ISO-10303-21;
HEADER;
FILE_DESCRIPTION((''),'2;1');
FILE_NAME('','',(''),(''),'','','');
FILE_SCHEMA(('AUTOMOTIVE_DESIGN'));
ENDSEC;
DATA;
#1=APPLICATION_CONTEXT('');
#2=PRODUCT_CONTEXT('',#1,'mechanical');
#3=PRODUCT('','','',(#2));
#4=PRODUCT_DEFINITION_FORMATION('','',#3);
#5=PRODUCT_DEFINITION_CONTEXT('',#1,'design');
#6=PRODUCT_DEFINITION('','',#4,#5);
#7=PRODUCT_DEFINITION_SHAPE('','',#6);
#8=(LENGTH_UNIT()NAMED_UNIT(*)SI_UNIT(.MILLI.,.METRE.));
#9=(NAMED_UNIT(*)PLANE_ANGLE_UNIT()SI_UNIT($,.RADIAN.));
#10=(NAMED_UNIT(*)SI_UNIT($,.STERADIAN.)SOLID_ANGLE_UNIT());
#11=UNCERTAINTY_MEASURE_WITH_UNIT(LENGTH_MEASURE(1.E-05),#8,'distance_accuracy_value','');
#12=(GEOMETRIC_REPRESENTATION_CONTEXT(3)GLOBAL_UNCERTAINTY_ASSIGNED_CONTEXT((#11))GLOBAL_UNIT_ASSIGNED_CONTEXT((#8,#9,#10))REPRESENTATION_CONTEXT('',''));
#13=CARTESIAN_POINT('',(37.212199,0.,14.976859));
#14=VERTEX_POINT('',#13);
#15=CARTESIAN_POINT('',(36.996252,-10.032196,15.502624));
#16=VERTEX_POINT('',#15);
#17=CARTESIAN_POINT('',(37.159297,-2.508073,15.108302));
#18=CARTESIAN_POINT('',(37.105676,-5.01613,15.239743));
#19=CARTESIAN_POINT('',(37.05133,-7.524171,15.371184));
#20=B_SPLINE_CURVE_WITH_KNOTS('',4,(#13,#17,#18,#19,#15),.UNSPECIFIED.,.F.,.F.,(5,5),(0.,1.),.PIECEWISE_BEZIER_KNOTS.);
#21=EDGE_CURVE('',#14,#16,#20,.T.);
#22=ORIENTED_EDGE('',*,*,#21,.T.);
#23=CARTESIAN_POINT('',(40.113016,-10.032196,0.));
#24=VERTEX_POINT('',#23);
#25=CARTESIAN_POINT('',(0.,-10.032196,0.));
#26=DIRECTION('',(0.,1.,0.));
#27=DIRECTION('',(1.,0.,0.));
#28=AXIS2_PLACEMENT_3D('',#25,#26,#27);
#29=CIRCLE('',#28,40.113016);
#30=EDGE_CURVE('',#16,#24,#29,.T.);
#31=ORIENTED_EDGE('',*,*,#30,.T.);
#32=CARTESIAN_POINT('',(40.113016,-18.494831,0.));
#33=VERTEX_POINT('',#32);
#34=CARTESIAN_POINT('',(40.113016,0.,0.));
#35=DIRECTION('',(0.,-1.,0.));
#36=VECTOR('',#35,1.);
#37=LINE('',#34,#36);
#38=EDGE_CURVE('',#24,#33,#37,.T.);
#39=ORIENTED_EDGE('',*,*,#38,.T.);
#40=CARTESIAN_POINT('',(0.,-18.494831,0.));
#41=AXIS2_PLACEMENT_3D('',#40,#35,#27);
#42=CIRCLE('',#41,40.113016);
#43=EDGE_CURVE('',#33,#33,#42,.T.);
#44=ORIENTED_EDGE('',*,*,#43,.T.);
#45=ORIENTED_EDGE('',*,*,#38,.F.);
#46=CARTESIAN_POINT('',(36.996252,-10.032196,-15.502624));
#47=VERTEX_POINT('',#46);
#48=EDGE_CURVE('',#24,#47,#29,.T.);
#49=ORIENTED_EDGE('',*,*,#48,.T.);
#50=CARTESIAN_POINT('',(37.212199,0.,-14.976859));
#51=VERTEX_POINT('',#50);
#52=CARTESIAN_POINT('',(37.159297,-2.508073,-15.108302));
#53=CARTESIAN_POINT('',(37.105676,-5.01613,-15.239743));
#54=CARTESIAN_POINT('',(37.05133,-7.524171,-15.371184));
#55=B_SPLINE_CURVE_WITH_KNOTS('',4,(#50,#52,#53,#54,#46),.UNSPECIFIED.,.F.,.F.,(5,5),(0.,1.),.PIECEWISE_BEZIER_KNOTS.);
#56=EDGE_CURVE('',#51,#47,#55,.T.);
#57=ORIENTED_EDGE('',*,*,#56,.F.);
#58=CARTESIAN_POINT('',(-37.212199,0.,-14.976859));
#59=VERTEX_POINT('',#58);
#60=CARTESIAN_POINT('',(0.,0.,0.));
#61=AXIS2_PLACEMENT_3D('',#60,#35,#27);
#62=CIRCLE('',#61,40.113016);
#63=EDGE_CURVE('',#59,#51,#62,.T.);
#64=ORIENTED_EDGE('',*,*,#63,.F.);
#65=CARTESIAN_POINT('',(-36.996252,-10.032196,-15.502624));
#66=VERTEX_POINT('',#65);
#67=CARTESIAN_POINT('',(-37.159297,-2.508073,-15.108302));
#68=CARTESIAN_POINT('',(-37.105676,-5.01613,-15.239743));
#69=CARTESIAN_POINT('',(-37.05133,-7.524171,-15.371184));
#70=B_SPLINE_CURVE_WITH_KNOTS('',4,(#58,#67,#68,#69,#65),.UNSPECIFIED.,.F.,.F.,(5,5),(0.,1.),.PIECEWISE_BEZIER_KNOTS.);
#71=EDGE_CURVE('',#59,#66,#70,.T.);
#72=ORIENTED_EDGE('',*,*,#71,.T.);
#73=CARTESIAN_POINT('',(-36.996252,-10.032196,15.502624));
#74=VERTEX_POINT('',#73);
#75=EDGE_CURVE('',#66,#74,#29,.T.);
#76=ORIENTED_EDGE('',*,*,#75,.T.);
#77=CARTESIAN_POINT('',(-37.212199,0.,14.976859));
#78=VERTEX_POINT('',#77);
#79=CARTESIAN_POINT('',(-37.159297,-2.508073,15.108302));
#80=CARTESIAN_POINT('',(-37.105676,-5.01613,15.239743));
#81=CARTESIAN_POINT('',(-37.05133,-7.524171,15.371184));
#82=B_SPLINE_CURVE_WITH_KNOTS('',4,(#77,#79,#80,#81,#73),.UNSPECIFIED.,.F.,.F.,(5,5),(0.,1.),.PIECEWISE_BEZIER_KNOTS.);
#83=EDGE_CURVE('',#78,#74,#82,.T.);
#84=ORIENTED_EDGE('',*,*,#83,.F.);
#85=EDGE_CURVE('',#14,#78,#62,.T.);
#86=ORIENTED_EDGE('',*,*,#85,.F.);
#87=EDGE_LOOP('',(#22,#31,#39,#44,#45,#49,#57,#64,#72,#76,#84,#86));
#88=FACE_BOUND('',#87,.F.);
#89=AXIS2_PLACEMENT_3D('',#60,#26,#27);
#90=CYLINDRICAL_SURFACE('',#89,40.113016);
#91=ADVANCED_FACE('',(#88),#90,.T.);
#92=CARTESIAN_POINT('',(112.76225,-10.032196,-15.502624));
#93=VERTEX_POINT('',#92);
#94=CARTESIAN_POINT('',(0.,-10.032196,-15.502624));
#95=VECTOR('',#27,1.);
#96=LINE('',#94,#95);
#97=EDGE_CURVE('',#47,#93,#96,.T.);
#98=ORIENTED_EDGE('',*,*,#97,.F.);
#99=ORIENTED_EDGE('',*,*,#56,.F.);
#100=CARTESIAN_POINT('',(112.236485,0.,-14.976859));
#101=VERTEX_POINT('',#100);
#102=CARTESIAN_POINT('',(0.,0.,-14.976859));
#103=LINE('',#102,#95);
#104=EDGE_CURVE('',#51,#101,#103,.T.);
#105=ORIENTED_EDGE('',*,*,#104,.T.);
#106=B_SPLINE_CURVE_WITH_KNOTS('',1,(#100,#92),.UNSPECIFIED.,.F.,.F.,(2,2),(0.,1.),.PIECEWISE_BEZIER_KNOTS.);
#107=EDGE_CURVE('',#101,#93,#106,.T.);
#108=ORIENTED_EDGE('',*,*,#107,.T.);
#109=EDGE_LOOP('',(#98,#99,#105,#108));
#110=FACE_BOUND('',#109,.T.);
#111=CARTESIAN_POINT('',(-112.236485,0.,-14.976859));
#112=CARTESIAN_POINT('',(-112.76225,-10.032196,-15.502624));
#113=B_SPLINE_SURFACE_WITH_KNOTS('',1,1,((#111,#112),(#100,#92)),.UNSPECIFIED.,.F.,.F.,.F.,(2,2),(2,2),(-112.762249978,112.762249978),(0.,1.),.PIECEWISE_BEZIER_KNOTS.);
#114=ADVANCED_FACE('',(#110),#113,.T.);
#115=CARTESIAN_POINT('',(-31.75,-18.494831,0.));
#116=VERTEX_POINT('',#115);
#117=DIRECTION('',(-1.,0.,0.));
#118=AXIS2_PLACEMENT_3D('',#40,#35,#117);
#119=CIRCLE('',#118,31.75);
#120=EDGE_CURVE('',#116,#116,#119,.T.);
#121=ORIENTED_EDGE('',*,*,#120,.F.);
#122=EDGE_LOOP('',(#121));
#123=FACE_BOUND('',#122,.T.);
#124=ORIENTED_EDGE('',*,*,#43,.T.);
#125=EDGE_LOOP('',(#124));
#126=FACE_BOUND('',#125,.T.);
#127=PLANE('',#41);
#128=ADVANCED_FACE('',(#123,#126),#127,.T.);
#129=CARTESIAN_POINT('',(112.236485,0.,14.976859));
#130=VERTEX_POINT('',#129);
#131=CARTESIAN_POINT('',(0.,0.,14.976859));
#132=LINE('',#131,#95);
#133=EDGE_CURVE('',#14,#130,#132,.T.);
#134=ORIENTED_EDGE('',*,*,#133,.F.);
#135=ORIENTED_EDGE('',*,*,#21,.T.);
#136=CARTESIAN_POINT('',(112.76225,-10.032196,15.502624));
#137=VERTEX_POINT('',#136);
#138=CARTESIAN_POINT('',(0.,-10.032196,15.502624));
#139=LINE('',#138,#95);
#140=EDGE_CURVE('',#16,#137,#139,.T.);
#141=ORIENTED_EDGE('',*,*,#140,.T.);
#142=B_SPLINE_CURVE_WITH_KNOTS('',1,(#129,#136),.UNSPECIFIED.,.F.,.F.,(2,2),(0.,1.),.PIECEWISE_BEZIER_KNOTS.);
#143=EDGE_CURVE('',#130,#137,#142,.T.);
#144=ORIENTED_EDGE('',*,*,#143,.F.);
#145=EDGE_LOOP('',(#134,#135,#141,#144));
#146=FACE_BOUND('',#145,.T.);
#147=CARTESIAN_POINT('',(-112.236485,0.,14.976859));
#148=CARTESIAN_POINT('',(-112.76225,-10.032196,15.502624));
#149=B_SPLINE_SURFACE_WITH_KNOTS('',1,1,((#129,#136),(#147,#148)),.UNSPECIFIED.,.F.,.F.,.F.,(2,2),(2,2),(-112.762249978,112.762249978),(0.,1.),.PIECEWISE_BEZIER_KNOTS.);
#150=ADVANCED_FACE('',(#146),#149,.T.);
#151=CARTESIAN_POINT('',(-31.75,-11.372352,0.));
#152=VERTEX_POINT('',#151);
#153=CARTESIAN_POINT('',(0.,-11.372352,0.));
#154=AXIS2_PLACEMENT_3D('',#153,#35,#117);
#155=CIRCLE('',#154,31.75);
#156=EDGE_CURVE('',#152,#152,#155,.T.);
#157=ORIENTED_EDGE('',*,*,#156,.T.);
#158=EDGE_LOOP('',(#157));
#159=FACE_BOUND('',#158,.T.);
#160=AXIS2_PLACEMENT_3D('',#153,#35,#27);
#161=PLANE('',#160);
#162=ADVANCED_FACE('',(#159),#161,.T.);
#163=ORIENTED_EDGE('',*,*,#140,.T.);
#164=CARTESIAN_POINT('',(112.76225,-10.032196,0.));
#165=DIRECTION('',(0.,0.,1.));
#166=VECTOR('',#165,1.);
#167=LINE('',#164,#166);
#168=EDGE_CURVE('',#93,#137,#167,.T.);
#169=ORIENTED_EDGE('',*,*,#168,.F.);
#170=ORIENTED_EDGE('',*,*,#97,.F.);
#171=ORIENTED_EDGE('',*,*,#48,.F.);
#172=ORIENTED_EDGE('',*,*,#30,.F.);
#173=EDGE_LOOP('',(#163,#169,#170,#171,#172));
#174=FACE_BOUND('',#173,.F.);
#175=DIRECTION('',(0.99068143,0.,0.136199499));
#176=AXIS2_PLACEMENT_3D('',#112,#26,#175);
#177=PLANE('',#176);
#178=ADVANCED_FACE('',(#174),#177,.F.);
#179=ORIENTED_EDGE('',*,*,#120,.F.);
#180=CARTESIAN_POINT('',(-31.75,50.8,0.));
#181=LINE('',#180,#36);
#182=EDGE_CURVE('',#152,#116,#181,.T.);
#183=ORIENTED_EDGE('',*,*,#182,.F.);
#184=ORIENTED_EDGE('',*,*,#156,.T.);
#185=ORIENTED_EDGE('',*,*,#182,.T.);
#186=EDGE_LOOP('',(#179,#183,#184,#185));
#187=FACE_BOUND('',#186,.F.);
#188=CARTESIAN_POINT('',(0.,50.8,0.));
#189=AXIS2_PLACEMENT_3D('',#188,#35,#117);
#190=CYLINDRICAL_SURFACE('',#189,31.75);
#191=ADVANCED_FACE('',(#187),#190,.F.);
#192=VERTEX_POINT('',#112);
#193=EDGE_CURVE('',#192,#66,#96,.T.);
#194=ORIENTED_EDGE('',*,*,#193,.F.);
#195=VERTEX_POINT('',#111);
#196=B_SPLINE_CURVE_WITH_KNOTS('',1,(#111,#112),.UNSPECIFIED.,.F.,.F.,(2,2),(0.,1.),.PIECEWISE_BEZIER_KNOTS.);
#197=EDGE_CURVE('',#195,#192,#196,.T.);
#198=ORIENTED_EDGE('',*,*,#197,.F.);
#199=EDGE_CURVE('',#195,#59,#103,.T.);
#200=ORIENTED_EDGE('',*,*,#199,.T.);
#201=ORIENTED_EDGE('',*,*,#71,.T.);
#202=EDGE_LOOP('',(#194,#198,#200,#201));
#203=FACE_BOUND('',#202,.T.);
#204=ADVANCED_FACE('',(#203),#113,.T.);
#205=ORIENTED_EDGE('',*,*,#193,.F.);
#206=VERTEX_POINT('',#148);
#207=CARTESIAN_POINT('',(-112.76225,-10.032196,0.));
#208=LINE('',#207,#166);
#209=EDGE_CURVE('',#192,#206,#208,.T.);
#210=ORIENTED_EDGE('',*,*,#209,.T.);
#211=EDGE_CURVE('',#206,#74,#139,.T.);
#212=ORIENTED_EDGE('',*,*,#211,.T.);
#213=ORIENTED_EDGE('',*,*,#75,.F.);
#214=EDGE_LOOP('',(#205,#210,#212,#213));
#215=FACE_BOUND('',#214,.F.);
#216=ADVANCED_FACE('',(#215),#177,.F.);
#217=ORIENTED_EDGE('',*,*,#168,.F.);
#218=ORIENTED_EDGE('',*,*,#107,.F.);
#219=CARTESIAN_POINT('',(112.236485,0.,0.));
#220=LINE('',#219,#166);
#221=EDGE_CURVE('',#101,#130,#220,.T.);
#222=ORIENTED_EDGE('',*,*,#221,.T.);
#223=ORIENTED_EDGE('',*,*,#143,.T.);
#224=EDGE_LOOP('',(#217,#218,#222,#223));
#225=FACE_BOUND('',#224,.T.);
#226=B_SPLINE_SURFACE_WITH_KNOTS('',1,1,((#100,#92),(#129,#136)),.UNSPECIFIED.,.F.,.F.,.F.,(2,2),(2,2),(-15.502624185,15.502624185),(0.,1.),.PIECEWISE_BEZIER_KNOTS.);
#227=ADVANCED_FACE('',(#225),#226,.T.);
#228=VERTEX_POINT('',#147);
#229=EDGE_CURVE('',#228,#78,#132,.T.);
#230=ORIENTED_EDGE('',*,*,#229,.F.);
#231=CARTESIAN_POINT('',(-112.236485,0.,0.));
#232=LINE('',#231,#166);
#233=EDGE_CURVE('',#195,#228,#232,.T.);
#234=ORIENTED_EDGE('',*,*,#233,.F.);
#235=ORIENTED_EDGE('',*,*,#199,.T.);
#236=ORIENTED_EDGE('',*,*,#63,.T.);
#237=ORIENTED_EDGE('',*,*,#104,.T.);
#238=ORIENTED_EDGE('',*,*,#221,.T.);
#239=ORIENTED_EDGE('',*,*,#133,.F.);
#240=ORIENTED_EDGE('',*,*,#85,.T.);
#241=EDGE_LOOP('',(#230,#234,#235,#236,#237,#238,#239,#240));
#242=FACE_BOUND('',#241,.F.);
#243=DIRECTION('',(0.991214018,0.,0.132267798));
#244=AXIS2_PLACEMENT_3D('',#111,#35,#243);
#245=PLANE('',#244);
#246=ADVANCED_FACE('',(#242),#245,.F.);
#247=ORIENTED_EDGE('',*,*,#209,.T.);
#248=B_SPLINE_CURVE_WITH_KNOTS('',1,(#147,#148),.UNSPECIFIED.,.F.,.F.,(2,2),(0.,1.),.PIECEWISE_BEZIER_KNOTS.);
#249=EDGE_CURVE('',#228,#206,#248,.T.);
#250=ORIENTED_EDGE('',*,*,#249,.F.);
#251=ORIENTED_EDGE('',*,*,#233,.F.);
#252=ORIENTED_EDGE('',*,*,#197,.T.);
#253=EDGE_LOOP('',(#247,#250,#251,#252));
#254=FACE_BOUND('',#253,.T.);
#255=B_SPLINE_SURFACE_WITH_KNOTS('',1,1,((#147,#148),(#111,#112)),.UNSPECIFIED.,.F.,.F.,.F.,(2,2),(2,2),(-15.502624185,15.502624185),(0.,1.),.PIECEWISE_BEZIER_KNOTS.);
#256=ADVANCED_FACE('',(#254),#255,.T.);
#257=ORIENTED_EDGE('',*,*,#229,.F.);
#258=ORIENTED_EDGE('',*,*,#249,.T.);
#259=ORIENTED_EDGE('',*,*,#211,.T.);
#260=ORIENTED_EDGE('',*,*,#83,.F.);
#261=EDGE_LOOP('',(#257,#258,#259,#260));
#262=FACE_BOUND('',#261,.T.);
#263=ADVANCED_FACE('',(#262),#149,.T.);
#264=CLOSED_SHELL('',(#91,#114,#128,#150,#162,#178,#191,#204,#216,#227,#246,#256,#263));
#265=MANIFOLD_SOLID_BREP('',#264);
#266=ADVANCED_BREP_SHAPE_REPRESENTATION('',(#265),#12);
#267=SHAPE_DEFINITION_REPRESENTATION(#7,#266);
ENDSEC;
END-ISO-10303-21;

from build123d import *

# Parameters (mm, degrees)
F0_R     = 32.6923124251
F1_DEPTH = 14.6508645266
F2_W     = 224.4729697704
F2_H     = 29.9537181854
F3_DEPTH = 10.0321955979
F3_TAPER = -3
F4_R     = 40.1130157543
F5_DEPTH = 18.4948313981
F7_D     = 63.5
F7_DEPTH = 50.8
F7_TIP   = 19.0773246541
F8_DEPTH = 11.372352019


with BuildPart() as f1:
    # F0 (on Front) → F1 (new body)
    with BuildSketch(Plane.XZ):
        Circle(F0_R)
    extrude(amount=F1_DEPTH)

    # F2 (on Front) → F3 (join)
    with BuildSketch(Plane.XZ):
        Rectangle(F2_W, F2_H)
    extrude(amount=F3_DEPTH, taper=F3_TAPER)

    # F4 (on Front) → F5 (join)
    with BuildSketch(Plane.XZ):
        Circle(F4_R)
    extrude(amount=F5_DEPTH)

    # F7
    with Locations(Plane(origin=(0, 0, 0), x_dir=(1, 0, 0), z_dir=(0, 1, 0))):
        with Locations((0, 0)):
            Hole(F7_D / 2, depth=F7_DEPTH)
            with Locations((0, 0, -(F7_DEPTH + F7_TIP / 2))):  # 118° drill point
                Cone(0, F7_D / 2, F7_TIP, mode=Mode.SUBTRACT)

    # F0 (on Front) → F8 (join)
    with BuildSketch(Plane.XZ):
        Circle(F0_R)
    extrude(amount=F8_DEPTH)


solid = f1.part
